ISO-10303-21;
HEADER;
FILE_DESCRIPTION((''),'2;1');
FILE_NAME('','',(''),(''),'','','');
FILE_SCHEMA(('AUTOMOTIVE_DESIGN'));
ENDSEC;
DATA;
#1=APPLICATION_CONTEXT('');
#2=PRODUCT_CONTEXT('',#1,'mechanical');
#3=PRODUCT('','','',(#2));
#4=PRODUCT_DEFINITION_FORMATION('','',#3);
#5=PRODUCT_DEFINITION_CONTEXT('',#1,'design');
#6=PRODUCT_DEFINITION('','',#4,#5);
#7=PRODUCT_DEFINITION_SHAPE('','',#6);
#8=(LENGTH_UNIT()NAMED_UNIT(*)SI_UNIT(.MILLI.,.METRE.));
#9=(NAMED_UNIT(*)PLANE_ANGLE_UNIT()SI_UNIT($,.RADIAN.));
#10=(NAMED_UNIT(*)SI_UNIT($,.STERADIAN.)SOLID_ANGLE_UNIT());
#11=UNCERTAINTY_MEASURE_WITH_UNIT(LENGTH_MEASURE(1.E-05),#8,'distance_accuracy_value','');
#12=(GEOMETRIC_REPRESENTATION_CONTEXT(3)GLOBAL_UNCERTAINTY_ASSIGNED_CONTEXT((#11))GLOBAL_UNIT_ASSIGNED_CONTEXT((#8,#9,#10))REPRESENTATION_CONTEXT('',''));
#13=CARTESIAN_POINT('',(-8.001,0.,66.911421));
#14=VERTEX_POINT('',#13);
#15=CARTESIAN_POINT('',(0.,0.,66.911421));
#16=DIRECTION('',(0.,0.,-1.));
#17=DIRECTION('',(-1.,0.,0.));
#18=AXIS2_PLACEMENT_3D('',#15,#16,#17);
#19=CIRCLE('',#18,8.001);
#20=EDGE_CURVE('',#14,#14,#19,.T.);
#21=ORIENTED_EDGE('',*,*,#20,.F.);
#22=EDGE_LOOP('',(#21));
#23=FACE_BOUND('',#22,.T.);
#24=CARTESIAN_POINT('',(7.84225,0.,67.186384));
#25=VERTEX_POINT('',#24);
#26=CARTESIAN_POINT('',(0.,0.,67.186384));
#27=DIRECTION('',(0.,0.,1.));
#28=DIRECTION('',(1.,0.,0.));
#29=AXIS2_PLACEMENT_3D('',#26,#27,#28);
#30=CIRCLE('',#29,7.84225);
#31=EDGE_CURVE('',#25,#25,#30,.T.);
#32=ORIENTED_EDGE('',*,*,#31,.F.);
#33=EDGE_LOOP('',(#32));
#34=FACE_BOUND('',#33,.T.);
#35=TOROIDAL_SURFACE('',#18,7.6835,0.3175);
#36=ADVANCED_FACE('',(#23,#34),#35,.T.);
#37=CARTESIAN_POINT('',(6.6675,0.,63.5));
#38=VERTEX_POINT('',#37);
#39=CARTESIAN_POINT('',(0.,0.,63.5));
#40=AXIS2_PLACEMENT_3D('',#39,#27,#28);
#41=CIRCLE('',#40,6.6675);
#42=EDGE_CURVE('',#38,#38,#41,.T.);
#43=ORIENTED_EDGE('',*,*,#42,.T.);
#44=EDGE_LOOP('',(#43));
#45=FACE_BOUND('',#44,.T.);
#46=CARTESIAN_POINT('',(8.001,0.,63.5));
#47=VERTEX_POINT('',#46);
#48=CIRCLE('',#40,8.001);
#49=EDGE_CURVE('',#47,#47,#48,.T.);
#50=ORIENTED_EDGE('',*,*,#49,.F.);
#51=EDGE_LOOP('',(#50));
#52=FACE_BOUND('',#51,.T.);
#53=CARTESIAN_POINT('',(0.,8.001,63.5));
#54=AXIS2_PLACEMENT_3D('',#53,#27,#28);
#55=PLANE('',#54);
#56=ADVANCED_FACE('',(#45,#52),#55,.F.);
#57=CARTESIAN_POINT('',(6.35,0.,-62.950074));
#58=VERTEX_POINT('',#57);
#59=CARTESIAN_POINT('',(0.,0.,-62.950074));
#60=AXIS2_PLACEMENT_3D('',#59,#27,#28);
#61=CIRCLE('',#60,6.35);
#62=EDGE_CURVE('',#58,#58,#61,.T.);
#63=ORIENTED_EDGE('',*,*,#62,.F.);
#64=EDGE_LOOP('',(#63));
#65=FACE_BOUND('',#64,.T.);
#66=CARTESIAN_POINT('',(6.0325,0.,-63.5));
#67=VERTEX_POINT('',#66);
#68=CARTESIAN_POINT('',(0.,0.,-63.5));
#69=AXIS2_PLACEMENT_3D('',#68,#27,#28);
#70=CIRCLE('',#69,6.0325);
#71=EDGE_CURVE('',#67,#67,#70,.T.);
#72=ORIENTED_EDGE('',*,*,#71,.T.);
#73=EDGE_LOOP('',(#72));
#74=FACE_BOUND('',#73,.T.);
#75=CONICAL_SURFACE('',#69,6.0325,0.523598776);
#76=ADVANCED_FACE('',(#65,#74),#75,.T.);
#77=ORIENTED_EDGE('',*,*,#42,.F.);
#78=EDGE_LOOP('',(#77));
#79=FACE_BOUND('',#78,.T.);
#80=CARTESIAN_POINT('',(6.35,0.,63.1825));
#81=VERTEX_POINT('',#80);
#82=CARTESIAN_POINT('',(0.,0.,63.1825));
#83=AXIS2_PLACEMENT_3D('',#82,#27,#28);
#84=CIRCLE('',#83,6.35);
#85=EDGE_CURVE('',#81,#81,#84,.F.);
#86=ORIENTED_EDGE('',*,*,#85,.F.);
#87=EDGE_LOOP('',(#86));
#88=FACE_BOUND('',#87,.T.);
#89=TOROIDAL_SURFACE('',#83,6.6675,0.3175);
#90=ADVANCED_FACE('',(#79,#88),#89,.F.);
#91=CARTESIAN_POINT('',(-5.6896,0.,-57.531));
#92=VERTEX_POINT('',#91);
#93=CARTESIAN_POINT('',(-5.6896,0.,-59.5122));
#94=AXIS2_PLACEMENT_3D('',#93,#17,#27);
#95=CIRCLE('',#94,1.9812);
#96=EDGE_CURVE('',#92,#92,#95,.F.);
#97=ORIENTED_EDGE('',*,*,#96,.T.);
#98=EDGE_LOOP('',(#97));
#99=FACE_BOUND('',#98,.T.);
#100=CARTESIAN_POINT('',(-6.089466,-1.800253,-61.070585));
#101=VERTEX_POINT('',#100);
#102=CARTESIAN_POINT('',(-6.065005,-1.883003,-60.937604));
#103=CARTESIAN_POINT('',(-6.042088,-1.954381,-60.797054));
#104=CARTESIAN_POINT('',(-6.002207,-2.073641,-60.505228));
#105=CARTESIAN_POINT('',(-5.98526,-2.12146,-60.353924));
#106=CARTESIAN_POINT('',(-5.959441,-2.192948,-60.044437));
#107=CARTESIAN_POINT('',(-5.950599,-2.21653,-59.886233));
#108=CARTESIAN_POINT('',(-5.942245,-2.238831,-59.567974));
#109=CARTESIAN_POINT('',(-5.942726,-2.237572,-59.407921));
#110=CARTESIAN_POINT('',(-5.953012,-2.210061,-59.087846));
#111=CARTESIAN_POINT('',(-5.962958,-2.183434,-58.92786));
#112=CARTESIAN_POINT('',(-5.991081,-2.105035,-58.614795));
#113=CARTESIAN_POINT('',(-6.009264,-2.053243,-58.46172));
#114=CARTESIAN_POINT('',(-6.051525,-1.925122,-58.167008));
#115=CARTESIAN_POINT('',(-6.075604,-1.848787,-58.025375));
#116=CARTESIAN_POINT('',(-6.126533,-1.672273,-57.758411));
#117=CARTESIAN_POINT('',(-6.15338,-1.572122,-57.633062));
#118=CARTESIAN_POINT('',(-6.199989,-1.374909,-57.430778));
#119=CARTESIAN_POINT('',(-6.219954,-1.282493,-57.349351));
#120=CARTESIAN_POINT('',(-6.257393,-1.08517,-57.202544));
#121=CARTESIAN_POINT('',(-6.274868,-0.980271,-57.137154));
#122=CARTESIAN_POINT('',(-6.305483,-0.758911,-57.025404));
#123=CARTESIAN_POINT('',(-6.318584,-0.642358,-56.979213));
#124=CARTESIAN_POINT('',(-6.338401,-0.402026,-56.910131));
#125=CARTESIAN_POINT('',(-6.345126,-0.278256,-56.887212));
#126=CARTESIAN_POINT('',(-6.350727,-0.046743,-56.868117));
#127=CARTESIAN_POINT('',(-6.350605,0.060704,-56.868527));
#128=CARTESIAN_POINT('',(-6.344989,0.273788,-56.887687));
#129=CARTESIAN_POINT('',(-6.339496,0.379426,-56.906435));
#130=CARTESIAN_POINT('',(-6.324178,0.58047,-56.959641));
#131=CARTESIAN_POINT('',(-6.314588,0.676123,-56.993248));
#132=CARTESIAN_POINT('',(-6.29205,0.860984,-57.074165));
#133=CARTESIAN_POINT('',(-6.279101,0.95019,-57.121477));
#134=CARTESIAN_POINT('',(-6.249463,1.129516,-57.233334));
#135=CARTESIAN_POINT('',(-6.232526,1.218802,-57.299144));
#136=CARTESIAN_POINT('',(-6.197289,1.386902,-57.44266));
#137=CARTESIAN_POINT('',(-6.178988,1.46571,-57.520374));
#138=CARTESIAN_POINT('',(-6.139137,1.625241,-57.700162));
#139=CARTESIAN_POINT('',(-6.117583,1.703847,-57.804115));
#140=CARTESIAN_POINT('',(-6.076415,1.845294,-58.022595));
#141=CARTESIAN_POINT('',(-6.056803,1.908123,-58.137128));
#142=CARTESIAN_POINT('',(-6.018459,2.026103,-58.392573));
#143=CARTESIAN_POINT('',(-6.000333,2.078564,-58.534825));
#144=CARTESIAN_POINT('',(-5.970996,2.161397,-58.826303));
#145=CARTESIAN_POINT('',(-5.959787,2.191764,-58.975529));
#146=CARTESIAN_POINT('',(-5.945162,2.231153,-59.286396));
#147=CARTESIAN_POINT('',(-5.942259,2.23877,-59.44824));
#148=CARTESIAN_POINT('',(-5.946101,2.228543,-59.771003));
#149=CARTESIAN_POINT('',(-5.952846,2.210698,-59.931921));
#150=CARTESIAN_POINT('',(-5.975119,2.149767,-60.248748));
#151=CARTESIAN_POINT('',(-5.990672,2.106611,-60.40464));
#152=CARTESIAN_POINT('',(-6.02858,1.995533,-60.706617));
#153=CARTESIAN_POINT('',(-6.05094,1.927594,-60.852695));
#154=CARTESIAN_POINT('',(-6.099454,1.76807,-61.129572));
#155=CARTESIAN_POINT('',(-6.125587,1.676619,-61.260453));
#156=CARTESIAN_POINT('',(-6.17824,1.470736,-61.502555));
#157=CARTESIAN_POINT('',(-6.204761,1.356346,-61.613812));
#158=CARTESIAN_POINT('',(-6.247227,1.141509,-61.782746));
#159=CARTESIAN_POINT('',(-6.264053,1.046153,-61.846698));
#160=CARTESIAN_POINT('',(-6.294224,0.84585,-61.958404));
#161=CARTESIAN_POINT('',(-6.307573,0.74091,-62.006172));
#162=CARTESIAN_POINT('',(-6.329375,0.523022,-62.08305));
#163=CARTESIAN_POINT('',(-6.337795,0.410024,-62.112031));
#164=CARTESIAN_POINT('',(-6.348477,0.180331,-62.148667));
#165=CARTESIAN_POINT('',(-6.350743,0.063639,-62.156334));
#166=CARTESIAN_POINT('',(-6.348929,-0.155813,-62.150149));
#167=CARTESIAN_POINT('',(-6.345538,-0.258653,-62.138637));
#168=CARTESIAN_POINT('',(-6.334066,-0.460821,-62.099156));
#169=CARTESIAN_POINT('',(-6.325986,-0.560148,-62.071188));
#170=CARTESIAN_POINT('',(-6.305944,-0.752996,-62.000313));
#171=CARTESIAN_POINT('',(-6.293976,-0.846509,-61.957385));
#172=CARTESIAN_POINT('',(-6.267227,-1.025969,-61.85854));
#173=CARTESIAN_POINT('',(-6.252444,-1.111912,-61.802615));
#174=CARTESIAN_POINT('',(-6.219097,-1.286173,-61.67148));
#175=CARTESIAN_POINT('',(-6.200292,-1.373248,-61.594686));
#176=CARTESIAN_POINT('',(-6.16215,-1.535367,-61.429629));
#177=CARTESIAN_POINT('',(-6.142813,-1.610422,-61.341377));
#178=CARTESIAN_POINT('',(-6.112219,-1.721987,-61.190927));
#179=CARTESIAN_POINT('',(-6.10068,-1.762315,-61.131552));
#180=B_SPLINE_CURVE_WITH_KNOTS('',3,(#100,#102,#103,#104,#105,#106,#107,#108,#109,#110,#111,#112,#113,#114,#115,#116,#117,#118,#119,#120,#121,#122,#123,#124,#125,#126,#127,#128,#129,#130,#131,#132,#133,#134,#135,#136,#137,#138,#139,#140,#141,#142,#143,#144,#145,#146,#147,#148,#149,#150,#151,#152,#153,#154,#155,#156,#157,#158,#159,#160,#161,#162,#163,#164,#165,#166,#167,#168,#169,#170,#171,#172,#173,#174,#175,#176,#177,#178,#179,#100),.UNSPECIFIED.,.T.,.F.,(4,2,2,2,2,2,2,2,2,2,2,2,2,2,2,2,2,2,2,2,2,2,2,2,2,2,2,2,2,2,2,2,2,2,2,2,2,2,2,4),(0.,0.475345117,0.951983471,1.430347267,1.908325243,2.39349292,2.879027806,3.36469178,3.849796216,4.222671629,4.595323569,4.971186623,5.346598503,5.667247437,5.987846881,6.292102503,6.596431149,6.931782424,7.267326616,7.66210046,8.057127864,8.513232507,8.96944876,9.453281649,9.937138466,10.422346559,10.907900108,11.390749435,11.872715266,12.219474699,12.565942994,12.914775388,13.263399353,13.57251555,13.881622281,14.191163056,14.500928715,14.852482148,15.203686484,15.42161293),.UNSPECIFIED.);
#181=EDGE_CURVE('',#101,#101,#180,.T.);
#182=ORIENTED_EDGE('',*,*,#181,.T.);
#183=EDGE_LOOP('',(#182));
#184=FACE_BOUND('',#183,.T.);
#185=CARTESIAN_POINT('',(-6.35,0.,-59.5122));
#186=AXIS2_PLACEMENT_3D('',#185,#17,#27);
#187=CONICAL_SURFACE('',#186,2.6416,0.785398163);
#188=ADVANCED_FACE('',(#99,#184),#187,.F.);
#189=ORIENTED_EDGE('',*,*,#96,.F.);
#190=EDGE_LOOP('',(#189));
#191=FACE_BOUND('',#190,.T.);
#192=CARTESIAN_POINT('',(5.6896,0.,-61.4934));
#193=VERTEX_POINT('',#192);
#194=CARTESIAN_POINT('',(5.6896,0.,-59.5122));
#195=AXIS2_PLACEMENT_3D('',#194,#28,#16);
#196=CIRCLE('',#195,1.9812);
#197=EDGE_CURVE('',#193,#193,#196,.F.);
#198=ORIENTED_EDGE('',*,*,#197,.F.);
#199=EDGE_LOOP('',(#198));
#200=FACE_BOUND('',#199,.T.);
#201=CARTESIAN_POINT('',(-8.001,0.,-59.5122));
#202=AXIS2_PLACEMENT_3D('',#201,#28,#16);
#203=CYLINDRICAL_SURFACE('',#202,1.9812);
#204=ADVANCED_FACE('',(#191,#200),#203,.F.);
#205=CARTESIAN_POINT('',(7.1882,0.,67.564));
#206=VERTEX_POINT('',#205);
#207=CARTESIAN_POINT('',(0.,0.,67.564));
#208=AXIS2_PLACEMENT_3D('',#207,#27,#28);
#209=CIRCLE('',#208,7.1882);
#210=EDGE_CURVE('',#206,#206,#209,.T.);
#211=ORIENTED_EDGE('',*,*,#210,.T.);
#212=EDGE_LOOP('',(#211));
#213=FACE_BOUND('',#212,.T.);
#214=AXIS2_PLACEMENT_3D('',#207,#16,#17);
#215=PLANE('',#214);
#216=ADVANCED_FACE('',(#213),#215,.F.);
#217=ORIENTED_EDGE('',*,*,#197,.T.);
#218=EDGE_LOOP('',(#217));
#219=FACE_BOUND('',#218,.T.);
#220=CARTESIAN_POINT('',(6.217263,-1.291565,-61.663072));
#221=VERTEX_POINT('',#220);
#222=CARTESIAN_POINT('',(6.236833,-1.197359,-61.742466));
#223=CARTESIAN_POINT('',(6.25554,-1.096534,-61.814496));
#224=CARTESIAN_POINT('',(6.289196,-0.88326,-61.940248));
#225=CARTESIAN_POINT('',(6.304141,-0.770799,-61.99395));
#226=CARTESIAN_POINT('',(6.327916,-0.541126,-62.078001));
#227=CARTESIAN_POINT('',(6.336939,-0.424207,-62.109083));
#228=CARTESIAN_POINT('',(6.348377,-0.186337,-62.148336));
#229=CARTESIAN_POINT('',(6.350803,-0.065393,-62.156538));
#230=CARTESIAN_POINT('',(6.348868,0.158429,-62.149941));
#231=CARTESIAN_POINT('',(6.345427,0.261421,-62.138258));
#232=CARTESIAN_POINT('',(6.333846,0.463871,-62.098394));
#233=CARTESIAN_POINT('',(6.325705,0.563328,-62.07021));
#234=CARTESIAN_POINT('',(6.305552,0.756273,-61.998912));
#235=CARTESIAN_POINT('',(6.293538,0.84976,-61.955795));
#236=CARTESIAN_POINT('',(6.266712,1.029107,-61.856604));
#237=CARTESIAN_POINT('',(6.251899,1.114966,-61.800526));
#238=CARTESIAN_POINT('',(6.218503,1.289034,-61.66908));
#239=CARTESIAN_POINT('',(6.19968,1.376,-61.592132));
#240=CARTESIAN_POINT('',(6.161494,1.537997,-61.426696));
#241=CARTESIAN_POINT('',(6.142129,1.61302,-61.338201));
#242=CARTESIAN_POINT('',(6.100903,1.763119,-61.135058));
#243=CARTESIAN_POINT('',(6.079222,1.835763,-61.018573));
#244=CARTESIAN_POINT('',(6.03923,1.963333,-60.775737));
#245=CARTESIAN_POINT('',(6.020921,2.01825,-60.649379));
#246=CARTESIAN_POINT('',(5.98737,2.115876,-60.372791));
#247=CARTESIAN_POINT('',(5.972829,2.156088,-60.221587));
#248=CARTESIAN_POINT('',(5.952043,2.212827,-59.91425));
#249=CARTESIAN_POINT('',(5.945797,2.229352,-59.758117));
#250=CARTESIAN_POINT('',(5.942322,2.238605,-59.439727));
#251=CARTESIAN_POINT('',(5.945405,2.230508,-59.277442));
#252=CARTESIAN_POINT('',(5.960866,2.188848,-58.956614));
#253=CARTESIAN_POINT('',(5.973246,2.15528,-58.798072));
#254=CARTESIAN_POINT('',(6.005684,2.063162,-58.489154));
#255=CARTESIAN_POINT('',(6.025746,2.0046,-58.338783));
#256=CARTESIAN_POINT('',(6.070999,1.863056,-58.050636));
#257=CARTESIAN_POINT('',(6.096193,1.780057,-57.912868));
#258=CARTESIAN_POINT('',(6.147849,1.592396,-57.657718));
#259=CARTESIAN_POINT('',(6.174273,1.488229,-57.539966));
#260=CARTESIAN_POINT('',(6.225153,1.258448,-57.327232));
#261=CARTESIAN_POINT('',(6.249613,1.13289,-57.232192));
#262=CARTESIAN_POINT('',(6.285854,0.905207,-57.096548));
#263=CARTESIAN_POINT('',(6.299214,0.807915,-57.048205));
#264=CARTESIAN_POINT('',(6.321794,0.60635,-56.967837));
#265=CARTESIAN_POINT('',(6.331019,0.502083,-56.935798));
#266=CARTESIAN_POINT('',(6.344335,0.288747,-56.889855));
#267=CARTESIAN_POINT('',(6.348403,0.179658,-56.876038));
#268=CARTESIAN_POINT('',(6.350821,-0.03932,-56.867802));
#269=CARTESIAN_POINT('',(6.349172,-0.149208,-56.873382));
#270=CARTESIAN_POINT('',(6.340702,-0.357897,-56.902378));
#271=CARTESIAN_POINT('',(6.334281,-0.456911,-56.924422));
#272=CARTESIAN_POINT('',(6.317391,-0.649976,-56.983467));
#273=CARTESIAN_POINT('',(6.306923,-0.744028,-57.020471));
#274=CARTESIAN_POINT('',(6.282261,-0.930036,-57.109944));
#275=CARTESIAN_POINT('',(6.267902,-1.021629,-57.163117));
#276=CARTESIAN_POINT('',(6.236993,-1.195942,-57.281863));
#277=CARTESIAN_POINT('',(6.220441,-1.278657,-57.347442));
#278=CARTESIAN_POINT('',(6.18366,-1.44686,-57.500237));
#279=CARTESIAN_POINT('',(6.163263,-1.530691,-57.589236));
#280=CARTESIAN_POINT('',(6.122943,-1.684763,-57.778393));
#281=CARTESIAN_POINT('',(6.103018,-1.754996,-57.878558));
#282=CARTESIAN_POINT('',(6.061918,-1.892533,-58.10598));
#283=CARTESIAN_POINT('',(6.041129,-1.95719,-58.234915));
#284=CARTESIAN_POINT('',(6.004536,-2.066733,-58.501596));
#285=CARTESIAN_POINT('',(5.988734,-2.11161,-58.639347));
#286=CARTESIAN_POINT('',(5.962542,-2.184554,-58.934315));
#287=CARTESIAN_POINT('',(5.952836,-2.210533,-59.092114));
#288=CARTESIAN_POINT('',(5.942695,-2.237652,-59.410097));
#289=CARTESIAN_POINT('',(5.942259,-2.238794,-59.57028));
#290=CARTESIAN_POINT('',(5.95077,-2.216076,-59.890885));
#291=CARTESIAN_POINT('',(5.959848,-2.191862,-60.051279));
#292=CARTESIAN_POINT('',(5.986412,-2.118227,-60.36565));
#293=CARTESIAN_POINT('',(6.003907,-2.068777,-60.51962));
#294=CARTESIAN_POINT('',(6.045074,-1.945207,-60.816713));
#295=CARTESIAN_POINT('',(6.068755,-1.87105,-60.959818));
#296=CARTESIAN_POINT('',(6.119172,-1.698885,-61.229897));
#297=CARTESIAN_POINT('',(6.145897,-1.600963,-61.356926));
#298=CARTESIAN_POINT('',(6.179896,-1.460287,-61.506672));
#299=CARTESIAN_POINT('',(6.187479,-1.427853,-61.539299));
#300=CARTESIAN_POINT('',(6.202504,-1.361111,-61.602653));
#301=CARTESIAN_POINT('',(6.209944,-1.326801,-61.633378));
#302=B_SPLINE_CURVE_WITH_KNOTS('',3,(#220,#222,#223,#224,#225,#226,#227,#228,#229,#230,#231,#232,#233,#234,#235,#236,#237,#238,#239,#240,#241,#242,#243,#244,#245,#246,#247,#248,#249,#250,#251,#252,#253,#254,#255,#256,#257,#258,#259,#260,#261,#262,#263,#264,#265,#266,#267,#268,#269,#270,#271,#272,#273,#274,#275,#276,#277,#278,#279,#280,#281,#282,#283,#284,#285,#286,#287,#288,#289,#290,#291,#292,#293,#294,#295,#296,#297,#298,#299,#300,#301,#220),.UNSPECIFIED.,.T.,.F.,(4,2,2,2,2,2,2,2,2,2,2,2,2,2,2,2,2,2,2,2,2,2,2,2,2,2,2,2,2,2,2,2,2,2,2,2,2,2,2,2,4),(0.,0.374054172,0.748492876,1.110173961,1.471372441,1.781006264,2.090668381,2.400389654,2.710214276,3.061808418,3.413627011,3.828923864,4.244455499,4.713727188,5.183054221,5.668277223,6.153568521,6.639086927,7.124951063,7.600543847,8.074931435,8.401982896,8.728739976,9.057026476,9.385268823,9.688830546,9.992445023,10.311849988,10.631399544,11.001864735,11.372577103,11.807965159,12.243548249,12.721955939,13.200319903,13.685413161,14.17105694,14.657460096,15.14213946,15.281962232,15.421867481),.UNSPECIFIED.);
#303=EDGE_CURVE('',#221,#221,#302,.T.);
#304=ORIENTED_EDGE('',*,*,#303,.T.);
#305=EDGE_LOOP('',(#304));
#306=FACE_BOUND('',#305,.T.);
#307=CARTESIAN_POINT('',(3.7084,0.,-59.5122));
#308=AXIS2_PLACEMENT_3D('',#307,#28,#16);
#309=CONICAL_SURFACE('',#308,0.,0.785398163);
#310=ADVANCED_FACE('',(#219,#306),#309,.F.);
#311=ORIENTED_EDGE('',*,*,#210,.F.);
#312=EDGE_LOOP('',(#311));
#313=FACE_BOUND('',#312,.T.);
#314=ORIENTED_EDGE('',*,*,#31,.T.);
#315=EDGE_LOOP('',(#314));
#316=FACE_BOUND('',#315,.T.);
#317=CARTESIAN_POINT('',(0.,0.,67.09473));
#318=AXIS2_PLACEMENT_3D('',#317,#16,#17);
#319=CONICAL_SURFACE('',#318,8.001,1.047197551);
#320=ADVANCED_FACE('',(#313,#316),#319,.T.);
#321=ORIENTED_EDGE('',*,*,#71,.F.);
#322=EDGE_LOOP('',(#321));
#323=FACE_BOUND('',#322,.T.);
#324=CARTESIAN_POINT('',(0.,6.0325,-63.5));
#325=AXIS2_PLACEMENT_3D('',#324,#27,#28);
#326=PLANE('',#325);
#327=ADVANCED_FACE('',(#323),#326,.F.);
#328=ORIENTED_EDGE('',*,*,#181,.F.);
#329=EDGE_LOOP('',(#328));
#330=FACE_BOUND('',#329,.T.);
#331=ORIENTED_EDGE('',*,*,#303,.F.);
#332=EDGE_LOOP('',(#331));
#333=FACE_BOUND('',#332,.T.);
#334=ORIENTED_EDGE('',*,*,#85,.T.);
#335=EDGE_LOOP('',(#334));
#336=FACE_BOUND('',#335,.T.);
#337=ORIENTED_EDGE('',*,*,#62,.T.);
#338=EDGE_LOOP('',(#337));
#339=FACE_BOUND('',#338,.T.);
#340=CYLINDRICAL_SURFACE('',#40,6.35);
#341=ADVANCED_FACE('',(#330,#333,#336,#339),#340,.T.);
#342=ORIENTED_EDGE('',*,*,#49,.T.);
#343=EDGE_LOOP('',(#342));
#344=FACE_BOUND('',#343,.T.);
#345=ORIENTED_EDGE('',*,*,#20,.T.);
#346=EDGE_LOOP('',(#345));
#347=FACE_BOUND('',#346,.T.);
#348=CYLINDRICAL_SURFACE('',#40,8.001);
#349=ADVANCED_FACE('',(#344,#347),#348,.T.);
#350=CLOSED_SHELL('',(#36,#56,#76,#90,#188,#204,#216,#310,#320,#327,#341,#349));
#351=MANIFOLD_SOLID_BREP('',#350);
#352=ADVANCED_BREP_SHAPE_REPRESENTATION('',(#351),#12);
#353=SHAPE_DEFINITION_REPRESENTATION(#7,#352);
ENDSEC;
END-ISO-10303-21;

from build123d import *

# Parameters (mm, degrees)
CUT_EXTRUDE1_DEPTH      = 69.504934844
CUT_EXTRUDE1_DEPTH_BACK = 69.504934844
SKETCH3_R               = 1.9812
FILLET1_R               = 0.3175


with BuildPart() as part:
    # Sketch2 → Revolve1 (revolve)
    with BuildSketch(Plane(origin=(0, 0, 0), x_dir=(0, 0, -1), z_dir=(1, 0, 0)), mode=Mode.PRIVATE) as revolve1_sk:
        Polygon((63.5, 6.0325), (63.5, 0), (-67.564, 0), (-67.564, 7.1882), (-67.094729701, 8.001), (-63.5, 8.001), (-63.5, 6.35), (62.950073869, 6.35), align=None)
    revolve(revolve1_sk.sketch.rotate(Axis((0, 0, 63.5), (0, 0, -1)), 90), axis=Axis((0, 0, 63.5), (0, 0, -1)))

    # Sketch3 → Cut-Extrude1 (cut, two sides: drawn at the far end of the back side and taken through both)
    with BuildSketch(Plane(origin=(0, 0, 0), x_dir=(0, 0, -1), z_dir=(1, 0, 0)).offset(-CUT_EXTRUDE1_DEPTH_BACK)):
        with Locations((59.5122, 0)):
            Circle(SKETCH3_R)
    extrude(amount=CUT_EXTRUDE1_DEPTH + CUT_EXTRUDE1_DEPTH_BACK, mode=Mode.SUBTRACT)

    # Fillet1
    fillet1_edges = [part.edges().sort_by_distance(p)[0] for p in [
        (-8.001, 0, 67.094729701),
        (-6.35, 0, 63.5),
    ]]
    fillet(fillet1_edges, radius=FILLET1_R)

    # Sketch4 → Cut-Revolve1 (revolve, cut)
    with BuildSketch(Plane(origin=(0, 0, 0), x_dir=(1, 0, 0), z_dir=(0, 1, 0)), mode=Mode.PRIVATE) as cut_revolve1_sk:
        Polygon((6.35, 59.5122), (6.35, 56.8706), (3.7084, 59.5122), align=None)
        Polygon((-6.35, 56.8706), (-3.7084, 59.5122), (-6.35, 59.5122), align=None)
    revolve(cut_revolve1_sk.sketch.rotate(Axis((6.35, 0, -59.5122), (-1, 0, 0)), 180), axis=Axis((6.35, 0, -59.5122), (-1, 0, 0)), mode=Mode.SUBTRACT)


solid = part.part
